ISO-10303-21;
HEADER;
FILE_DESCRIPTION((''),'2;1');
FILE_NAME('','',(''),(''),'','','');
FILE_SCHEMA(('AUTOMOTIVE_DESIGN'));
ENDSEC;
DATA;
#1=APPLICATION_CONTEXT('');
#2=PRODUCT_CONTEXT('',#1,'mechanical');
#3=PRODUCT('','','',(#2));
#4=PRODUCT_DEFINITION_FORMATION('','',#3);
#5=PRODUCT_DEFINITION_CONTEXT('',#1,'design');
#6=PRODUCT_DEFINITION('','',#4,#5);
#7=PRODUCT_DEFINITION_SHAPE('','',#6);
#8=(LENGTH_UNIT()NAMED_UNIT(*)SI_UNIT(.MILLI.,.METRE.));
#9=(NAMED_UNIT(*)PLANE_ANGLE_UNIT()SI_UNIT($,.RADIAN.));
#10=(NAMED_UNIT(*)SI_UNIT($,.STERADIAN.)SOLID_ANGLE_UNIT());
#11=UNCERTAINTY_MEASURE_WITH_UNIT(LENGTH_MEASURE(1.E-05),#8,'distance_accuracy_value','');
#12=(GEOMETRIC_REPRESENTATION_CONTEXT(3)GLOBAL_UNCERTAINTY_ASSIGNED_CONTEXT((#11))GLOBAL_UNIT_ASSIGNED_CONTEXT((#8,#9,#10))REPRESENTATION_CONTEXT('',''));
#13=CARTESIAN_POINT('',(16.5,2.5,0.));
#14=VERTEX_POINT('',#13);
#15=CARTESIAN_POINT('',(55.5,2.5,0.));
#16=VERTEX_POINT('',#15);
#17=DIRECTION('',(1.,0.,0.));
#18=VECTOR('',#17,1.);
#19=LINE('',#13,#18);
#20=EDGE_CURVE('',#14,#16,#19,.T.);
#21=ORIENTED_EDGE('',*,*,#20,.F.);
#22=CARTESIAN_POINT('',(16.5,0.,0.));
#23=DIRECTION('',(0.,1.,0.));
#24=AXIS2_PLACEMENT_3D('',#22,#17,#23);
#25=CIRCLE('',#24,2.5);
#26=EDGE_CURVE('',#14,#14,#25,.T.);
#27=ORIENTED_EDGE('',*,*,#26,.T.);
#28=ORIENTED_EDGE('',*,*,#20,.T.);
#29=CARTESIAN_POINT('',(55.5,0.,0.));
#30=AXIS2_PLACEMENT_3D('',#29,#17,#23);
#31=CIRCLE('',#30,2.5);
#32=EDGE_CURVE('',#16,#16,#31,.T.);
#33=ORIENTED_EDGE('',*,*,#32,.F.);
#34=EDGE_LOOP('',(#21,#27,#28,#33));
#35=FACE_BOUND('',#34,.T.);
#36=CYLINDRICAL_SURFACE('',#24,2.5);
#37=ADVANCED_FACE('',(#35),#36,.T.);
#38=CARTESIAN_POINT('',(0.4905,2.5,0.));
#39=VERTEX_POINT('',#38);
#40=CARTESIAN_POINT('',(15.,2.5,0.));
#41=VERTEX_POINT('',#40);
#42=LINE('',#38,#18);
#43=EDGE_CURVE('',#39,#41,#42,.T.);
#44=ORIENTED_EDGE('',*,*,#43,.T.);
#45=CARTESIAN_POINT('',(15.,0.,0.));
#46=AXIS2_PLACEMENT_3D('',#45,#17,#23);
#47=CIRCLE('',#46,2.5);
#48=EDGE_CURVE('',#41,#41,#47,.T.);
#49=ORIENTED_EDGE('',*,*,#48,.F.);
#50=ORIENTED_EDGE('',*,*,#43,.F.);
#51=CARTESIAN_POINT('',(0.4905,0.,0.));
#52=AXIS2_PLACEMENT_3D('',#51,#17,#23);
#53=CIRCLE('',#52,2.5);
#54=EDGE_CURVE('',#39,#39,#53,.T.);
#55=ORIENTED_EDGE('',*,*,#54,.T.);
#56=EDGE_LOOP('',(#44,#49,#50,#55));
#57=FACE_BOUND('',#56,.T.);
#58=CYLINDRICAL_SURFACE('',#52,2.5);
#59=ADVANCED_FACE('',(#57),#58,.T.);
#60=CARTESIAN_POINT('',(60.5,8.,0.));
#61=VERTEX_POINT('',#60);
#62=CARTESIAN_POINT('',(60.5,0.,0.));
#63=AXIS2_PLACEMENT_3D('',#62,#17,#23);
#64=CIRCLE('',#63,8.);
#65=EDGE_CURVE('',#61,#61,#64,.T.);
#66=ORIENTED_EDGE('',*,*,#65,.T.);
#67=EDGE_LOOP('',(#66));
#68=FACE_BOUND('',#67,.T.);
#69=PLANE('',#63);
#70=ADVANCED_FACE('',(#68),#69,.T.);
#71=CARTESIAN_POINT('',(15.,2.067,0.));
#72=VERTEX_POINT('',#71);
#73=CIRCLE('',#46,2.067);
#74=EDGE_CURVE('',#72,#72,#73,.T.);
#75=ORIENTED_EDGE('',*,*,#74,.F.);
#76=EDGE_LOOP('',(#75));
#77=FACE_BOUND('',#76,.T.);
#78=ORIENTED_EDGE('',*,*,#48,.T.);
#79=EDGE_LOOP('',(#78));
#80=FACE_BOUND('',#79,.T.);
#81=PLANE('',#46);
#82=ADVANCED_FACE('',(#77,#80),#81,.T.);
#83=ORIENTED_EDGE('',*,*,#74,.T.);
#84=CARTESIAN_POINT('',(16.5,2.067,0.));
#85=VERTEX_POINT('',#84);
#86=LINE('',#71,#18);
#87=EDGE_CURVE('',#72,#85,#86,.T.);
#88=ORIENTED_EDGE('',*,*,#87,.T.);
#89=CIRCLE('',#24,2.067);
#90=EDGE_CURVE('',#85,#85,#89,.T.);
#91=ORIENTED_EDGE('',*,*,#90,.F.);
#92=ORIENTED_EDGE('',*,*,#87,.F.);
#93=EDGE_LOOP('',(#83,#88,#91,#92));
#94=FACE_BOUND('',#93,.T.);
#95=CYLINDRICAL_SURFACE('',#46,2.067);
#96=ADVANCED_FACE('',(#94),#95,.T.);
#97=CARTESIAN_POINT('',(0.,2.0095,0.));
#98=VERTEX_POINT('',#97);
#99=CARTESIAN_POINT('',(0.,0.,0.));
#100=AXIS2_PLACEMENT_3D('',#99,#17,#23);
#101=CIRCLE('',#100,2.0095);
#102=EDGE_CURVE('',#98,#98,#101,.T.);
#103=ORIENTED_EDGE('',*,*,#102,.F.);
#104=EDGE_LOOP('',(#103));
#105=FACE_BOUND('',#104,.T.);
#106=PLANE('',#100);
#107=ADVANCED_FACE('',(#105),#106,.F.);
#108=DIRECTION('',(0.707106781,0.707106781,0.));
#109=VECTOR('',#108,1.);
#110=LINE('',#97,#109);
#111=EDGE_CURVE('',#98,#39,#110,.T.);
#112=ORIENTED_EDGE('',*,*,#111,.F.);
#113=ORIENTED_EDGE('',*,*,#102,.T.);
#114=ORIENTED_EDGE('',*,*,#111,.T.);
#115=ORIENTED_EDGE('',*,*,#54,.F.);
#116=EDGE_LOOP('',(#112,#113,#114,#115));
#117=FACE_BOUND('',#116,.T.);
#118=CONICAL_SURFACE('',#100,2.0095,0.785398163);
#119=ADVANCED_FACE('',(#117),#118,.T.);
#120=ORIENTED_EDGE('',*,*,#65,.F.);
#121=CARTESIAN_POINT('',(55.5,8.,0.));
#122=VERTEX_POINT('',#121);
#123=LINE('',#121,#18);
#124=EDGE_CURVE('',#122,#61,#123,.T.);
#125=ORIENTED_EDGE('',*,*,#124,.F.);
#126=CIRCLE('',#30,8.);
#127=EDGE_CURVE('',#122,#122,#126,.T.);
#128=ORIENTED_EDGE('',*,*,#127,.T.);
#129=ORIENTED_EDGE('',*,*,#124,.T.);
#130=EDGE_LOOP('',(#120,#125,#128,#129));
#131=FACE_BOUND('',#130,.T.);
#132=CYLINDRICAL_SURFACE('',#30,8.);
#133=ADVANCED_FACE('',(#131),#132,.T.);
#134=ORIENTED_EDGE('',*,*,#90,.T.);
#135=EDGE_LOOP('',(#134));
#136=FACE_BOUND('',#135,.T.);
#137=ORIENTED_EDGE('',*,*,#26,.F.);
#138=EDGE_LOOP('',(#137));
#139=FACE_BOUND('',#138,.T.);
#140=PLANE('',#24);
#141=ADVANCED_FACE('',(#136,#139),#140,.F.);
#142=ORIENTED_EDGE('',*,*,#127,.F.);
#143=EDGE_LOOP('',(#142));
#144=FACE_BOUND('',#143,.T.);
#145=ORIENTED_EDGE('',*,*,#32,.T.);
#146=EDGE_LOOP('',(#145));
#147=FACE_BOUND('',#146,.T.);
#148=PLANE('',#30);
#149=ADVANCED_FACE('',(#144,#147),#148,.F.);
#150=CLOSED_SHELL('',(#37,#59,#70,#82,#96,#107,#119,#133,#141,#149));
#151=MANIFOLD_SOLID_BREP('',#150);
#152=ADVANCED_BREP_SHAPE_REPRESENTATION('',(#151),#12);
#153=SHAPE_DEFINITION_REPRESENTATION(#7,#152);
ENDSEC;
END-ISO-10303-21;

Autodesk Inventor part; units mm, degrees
sketch "Sketch_5" plane through (0, 0, 0) normal (0, 0, 1) x (1, 0, 0)
  line L0 (60.5, 0) -> (0, 0)
  line L1 (0, 0) -> (0, 2.0095)
  line L2 (0, 2.0095) -> (0.4905, 2.5)
  line L3 (0.4905, 2.5) -> (15, 2.5)
  line L4 (15, 2.5) -> (15, 2.067)
  line L5 (15, 2.067) -> (16.5, 2.067)
  line L6 (16.5, 2.067) -> (16.5, 2.5)
  line L7 (16.5, 2.5) -> (55.5, 2.5)
  line L8 (55.5, 2.5) -> (55.5, 8)
  line L9 (55.5, 8) -> (60.5, 8)
  line L10 (60.5, 8) -> (60.5, 0)
  line L11 (60.5, 0) -> (0, 0)
revolve "Revolution1" add sketch "Sketch_5" angle 360 about axis through (60.5, 0, 0) along (1, 0, 0)
thread "Thread1" size "M5x0.8" class "6g" standard "ISO Metric profile" full length
ref_plane "ROD_BA_XY" through (10, 0, 0) normal (-1, 0, 0) x (0, 0, -1)
ref_plane "ROD_BA_YZ" through (10, 0, 0) normal (0, 0, -1) x (0, -1, 0)
ref_plane "ROD_BA_ZX" through (10, 0, 0) normal (0, -1, 0) x (-1, 0, 0)
ref_plane "ROD_BODY_XY" through (28, 0, 0) normal (1, 0, 0) x (0, 0, -1)
ref_plane "ROD_BODY_YZ" through (28, 0, 0) normal (0, 0, -1) x (0, 1, 0)
ref_plane "ROD_BODY_ZX" through (28, 0, 0) normal (0, 1, 0) x (1, 0, 0)
ref_plane "rodnt1_XY" through (7.5, 0, 0) normal (1, 0, 0) x (0, 0, -1)
ref_plane "rodnt1_YZ" through (7.5, 0, 0) normal (0, 0, -1) x (0, 1, 0)
ref_plane "rodnt1_ZX" through (7.5, 0, 0) normal (0, 1, 0) x (1, 0, 0)
properties part number "CJ2B16-15Z_ROD"
